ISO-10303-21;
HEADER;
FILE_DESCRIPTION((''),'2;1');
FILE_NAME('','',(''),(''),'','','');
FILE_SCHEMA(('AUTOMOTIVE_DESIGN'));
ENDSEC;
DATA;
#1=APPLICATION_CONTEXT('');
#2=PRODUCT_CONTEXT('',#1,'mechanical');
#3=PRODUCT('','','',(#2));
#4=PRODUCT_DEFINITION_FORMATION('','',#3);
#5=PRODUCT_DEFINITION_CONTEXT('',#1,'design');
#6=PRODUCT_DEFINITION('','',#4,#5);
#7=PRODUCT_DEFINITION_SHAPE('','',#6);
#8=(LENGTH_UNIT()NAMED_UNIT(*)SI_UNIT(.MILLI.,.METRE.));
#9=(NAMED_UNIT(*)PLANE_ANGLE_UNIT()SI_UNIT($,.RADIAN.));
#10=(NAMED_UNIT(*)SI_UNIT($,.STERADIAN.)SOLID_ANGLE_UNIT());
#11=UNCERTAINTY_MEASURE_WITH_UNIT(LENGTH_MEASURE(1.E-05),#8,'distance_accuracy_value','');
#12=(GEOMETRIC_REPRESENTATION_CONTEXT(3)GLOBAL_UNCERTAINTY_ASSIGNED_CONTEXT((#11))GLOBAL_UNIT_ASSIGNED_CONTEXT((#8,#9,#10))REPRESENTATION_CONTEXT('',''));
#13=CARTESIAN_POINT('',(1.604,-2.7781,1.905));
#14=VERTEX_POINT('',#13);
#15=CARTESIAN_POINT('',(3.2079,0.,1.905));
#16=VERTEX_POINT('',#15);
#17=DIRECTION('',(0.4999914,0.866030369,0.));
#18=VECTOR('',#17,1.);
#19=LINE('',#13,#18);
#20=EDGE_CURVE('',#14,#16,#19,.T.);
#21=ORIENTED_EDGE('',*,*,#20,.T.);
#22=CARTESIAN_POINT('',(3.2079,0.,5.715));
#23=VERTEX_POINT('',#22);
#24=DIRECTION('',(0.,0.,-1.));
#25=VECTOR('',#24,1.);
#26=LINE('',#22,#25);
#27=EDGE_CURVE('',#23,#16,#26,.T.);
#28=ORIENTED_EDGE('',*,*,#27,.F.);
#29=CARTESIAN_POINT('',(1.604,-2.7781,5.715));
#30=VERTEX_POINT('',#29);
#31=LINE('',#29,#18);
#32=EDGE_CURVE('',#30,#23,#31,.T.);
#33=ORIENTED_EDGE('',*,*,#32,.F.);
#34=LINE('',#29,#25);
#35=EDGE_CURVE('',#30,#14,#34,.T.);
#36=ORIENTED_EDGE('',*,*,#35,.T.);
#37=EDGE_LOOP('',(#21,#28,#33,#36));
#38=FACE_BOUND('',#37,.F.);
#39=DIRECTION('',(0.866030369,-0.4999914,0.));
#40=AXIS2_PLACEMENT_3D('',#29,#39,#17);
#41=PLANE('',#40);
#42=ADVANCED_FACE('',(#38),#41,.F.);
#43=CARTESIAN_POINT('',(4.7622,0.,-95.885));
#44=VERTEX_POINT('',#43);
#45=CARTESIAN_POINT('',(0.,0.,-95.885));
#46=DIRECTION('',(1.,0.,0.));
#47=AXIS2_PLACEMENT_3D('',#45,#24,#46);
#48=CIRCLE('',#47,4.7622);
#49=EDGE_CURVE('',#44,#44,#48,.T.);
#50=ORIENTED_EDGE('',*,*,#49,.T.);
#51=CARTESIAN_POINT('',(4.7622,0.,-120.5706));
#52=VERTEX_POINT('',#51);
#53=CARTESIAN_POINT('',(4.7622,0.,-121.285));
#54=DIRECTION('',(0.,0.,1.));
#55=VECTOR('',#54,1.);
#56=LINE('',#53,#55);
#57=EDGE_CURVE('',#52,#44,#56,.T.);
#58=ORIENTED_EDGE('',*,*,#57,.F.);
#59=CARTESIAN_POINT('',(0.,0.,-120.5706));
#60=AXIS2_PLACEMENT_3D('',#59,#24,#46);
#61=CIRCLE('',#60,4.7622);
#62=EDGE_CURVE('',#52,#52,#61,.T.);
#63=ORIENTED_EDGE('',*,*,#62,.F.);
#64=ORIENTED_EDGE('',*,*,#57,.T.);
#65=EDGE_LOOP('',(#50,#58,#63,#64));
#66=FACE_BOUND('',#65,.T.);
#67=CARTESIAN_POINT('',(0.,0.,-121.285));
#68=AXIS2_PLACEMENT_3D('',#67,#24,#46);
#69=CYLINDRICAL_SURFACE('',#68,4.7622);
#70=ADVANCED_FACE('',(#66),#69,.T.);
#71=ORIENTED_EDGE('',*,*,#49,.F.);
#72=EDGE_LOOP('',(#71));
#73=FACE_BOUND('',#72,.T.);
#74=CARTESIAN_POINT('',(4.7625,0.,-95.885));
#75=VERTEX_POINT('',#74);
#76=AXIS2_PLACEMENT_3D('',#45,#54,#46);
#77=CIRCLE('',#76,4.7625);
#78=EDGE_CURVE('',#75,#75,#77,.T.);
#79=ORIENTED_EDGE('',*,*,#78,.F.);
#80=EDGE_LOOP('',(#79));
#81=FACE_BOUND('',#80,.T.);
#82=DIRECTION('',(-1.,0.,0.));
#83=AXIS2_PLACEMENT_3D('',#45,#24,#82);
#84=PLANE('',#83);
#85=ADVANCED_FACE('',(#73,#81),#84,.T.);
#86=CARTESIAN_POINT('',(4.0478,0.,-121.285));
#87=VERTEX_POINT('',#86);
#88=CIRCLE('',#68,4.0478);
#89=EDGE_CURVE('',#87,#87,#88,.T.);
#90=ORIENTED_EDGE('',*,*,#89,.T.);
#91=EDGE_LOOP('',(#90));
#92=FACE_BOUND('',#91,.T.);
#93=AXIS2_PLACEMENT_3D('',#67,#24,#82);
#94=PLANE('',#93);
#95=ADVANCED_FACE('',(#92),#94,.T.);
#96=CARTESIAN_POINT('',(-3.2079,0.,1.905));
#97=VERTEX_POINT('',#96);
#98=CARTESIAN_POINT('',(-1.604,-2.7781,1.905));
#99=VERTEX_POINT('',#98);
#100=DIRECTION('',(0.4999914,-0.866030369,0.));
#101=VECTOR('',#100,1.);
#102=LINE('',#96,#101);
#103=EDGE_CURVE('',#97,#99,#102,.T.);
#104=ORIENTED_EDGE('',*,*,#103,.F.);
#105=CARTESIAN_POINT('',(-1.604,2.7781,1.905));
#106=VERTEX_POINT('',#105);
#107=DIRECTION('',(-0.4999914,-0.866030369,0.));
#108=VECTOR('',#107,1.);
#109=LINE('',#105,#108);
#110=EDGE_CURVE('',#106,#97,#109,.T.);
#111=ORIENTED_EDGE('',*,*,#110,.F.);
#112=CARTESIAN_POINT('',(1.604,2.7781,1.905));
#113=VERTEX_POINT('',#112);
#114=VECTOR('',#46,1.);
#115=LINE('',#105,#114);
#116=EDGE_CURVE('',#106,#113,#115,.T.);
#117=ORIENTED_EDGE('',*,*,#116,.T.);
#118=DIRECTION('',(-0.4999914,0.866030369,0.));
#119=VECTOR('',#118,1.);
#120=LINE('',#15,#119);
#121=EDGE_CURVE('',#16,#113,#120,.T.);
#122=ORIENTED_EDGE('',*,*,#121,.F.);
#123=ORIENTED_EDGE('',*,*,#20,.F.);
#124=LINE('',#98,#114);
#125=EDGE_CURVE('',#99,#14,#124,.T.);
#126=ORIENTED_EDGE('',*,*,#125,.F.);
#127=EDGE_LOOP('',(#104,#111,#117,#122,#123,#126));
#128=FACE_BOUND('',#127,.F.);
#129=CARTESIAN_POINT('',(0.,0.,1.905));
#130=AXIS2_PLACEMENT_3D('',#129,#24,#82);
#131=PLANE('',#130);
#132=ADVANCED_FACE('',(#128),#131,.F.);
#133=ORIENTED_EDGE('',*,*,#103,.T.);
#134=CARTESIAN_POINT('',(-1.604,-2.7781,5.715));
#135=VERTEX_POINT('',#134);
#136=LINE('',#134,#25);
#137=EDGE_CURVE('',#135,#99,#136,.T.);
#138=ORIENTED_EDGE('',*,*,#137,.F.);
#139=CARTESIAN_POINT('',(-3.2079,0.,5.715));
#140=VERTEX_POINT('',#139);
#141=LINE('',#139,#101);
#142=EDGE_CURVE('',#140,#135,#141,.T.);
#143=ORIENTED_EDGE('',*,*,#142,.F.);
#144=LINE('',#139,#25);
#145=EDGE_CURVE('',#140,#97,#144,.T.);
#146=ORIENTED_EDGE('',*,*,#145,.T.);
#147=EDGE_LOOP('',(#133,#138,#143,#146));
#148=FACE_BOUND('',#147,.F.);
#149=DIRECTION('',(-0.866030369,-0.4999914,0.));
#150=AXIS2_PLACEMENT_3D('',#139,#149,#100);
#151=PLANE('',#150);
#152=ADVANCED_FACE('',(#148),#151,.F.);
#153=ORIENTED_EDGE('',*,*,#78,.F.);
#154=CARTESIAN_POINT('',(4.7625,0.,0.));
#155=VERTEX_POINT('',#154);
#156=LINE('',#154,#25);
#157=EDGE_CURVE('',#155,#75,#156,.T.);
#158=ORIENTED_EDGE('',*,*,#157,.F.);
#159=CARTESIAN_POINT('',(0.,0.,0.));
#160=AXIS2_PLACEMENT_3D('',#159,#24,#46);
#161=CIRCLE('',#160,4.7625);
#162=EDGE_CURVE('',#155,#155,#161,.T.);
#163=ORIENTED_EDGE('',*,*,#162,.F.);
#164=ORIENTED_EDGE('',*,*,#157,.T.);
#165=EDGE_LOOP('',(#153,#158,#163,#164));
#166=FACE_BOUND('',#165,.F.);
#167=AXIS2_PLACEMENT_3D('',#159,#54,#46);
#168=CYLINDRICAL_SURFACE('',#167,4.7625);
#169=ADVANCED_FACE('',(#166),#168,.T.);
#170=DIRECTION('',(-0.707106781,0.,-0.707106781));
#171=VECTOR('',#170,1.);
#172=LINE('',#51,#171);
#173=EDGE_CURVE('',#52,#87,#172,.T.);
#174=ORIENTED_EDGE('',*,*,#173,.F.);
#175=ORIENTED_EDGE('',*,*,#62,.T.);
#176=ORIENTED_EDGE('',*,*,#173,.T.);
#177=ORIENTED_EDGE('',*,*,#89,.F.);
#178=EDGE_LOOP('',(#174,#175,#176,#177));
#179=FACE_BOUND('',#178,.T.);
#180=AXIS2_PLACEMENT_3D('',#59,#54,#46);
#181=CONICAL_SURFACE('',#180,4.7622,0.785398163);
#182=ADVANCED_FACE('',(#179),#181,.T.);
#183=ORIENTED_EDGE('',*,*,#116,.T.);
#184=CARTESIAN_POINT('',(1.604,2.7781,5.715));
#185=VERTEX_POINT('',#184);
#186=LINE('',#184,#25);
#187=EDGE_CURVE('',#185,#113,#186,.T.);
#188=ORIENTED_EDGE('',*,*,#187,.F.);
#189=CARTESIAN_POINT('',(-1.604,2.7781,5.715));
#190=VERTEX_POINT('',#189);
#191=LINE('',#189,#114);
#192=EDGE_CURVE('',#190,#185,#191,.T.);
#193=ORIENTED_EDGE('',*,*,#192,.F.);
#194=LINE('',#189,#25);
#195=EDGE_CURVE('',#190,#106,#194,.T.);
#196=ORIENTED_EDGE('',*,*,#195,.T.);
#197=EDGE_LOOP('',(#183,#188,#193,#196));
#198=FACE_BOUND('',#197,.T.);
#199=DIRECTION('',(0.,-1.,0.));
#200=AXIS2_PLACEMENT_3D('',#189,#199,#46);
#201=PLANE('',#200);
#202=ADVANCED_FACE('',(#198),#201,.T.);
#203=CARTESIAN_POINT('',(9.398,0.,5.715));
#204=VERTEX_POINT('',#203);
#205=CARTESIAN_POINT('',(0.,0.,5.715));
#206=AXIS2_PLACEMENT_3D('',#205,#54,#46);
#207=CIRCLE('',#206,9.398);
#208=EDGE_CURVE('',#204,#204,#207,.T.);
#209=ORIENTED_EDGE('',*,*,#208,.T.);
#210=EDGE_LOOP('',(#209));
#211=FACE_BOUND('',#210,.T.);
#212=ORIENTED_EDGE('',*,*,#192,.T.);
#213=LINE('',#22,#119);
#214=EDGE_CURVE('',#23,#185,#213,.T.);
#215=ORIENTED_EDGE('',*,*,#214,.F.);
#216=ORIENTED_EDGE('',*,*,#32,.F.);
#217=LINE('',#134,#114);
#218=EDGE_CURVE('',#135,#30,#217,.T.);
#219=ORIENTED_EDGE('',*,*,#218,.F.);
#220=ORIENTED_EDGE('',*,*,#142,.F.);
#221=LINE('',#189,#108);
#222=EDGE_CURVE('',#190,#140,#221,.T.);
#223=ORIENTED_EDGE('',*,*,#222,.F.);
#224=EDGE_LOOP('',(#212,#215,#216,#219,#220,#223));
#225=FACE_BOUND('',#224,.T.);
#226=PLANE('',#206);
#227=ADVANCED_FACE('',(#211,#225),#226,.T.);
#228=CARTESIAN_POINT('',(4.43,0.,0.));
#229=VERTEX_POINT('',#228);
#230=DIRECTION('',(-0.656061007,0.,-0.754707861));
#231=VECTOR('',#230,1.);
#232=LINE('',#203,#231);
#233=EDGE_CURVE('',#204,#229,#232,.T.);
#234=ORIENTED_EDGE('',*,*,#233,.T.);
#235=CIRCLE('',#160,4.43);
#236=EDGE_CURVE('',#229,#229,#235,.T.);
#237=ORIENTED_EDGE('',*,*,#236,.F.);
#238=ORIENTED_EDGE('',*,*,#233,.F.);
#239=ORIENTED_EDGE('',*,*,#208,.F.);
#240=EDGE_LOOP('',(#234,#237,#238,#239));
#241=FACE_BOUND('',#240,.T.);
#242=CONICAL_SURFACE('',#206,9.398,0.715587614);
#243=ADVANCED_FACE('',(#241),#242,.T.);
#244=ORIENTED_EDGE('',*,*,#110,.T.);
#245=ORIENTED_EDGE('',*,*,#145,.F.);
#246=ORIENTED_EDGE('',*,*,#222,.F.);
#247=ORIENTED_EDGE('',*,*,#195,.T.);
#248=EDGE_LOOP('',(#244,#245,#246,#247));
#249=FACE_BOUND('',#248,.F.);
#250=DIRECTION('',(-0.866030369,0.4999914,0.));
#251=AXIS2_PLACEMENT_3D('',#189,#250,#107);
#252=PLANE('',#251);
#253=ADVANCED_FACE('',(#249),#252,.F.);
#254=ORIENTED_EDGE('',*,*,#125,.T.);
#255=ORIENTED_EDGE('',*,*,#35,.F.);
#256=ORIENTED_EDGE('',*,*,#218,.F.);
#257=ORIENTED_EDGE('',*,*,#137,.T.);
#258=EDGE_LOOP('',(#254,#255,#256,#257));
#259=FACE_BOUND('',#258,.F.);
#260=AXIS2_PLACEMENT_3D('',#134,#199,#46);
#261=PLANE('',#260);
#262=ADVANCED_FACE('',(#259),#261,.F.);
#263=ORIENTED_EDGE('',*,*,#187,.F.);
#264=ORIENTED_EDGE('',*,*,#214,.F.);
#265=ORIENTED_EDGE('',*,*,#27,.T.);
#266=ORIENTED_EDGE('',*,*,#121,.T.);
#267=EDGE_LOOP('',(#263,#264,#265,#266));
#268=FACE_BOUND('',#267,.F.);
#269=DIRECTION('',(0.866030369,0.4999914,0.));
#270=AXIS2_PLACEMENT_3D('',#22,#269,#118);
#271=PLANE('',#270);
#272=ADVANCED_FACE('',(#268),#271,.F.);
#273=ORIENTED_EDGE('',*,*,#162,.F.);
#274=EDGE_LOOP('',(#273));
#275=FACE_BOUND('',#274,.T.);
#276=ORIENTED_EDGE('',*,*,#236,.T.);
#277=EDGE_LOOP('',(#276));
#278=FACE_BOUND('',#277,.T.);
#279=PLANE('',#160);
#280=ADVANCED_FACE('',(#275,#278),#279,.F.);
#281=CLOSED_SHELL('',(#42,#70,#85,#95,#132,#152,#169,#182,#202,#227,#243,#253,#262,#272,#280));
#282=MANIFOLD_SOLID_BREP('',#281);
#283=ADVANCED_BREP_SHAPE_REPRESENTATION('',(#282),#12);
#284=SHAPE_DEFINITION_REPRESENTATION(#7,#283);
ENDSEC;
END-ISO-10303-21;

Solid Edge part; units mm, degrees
sketch "Sketch1" plane through (0, 0, 0) normal (0, 0, 1) x (1, 0, 0)
  circle A0 centre (0, 0) radius 9.398
  dimension "D1" = 18.796
extrude "Protrusion1" add sketch "Sketch1" along normal blind 5.715
sketch "Sketch2" plane through (0, 0, 0) normal (0, 0, -1) x (1, 0, 0)
  circle A0 centre (0, 0) radius 4.7625
extrude "Protrusion2" add sketch "Sketch2" along normal blind 121.285
sketch "Sketch3" plane through (0, 0, -121.285) normal (0, 0, -1) x (1, 0, 0)
  circle A0 centre (0, 0) radius 4.7622
extrude "Cutout1" cut sketch "Sketch3" against normal blind 25.4 flip side to cut
chamfer "Chamfer_1" distance 0.7144 angle 45 1 edges at (-4.7622, 0, -121.285)
sketch "Sketch4" plane through (0, 0, 5.715) normal (0, 0, 1) x (1, 0, 0)
  line L0 (-1.604, 2.7781) -> (1.604, 2.7781)
  line L1 (3.2079, 0) -> (1.604, 2.7781)
  line L2 (1.604, -2.7781) -> (3.2079, 0)
  line L3 (-1.604, -2.7781) -> (1.604, -2.7781)
  line L4 (-3.2079, 0) -> (-1.604, -2.7781)
  line L5 (-1.604, 2.7781) -> (-3.2079, 0)
  dimension "D1" = 5.5562
extrude "Cutout2" cut sketch "Sketch4" against normal blind 3.81
sketch "Sketch5" plane through (0, 0, 0) normal (0, -1, 0) x (1, 0, 0)
  line L0 (9.398, 5.715) -> (4.43, 0)
  line L1 (4.43, 0) -> (9.398, 0)
  line L2 (9.398, 0) -> (9.398, 5.715)
revolve "RevolvedCutout1" cut sketch "Sketch5" angle 360 about axis through (0, 0, 14.0017) along (0, 0, -1)
properties part number "107777"
